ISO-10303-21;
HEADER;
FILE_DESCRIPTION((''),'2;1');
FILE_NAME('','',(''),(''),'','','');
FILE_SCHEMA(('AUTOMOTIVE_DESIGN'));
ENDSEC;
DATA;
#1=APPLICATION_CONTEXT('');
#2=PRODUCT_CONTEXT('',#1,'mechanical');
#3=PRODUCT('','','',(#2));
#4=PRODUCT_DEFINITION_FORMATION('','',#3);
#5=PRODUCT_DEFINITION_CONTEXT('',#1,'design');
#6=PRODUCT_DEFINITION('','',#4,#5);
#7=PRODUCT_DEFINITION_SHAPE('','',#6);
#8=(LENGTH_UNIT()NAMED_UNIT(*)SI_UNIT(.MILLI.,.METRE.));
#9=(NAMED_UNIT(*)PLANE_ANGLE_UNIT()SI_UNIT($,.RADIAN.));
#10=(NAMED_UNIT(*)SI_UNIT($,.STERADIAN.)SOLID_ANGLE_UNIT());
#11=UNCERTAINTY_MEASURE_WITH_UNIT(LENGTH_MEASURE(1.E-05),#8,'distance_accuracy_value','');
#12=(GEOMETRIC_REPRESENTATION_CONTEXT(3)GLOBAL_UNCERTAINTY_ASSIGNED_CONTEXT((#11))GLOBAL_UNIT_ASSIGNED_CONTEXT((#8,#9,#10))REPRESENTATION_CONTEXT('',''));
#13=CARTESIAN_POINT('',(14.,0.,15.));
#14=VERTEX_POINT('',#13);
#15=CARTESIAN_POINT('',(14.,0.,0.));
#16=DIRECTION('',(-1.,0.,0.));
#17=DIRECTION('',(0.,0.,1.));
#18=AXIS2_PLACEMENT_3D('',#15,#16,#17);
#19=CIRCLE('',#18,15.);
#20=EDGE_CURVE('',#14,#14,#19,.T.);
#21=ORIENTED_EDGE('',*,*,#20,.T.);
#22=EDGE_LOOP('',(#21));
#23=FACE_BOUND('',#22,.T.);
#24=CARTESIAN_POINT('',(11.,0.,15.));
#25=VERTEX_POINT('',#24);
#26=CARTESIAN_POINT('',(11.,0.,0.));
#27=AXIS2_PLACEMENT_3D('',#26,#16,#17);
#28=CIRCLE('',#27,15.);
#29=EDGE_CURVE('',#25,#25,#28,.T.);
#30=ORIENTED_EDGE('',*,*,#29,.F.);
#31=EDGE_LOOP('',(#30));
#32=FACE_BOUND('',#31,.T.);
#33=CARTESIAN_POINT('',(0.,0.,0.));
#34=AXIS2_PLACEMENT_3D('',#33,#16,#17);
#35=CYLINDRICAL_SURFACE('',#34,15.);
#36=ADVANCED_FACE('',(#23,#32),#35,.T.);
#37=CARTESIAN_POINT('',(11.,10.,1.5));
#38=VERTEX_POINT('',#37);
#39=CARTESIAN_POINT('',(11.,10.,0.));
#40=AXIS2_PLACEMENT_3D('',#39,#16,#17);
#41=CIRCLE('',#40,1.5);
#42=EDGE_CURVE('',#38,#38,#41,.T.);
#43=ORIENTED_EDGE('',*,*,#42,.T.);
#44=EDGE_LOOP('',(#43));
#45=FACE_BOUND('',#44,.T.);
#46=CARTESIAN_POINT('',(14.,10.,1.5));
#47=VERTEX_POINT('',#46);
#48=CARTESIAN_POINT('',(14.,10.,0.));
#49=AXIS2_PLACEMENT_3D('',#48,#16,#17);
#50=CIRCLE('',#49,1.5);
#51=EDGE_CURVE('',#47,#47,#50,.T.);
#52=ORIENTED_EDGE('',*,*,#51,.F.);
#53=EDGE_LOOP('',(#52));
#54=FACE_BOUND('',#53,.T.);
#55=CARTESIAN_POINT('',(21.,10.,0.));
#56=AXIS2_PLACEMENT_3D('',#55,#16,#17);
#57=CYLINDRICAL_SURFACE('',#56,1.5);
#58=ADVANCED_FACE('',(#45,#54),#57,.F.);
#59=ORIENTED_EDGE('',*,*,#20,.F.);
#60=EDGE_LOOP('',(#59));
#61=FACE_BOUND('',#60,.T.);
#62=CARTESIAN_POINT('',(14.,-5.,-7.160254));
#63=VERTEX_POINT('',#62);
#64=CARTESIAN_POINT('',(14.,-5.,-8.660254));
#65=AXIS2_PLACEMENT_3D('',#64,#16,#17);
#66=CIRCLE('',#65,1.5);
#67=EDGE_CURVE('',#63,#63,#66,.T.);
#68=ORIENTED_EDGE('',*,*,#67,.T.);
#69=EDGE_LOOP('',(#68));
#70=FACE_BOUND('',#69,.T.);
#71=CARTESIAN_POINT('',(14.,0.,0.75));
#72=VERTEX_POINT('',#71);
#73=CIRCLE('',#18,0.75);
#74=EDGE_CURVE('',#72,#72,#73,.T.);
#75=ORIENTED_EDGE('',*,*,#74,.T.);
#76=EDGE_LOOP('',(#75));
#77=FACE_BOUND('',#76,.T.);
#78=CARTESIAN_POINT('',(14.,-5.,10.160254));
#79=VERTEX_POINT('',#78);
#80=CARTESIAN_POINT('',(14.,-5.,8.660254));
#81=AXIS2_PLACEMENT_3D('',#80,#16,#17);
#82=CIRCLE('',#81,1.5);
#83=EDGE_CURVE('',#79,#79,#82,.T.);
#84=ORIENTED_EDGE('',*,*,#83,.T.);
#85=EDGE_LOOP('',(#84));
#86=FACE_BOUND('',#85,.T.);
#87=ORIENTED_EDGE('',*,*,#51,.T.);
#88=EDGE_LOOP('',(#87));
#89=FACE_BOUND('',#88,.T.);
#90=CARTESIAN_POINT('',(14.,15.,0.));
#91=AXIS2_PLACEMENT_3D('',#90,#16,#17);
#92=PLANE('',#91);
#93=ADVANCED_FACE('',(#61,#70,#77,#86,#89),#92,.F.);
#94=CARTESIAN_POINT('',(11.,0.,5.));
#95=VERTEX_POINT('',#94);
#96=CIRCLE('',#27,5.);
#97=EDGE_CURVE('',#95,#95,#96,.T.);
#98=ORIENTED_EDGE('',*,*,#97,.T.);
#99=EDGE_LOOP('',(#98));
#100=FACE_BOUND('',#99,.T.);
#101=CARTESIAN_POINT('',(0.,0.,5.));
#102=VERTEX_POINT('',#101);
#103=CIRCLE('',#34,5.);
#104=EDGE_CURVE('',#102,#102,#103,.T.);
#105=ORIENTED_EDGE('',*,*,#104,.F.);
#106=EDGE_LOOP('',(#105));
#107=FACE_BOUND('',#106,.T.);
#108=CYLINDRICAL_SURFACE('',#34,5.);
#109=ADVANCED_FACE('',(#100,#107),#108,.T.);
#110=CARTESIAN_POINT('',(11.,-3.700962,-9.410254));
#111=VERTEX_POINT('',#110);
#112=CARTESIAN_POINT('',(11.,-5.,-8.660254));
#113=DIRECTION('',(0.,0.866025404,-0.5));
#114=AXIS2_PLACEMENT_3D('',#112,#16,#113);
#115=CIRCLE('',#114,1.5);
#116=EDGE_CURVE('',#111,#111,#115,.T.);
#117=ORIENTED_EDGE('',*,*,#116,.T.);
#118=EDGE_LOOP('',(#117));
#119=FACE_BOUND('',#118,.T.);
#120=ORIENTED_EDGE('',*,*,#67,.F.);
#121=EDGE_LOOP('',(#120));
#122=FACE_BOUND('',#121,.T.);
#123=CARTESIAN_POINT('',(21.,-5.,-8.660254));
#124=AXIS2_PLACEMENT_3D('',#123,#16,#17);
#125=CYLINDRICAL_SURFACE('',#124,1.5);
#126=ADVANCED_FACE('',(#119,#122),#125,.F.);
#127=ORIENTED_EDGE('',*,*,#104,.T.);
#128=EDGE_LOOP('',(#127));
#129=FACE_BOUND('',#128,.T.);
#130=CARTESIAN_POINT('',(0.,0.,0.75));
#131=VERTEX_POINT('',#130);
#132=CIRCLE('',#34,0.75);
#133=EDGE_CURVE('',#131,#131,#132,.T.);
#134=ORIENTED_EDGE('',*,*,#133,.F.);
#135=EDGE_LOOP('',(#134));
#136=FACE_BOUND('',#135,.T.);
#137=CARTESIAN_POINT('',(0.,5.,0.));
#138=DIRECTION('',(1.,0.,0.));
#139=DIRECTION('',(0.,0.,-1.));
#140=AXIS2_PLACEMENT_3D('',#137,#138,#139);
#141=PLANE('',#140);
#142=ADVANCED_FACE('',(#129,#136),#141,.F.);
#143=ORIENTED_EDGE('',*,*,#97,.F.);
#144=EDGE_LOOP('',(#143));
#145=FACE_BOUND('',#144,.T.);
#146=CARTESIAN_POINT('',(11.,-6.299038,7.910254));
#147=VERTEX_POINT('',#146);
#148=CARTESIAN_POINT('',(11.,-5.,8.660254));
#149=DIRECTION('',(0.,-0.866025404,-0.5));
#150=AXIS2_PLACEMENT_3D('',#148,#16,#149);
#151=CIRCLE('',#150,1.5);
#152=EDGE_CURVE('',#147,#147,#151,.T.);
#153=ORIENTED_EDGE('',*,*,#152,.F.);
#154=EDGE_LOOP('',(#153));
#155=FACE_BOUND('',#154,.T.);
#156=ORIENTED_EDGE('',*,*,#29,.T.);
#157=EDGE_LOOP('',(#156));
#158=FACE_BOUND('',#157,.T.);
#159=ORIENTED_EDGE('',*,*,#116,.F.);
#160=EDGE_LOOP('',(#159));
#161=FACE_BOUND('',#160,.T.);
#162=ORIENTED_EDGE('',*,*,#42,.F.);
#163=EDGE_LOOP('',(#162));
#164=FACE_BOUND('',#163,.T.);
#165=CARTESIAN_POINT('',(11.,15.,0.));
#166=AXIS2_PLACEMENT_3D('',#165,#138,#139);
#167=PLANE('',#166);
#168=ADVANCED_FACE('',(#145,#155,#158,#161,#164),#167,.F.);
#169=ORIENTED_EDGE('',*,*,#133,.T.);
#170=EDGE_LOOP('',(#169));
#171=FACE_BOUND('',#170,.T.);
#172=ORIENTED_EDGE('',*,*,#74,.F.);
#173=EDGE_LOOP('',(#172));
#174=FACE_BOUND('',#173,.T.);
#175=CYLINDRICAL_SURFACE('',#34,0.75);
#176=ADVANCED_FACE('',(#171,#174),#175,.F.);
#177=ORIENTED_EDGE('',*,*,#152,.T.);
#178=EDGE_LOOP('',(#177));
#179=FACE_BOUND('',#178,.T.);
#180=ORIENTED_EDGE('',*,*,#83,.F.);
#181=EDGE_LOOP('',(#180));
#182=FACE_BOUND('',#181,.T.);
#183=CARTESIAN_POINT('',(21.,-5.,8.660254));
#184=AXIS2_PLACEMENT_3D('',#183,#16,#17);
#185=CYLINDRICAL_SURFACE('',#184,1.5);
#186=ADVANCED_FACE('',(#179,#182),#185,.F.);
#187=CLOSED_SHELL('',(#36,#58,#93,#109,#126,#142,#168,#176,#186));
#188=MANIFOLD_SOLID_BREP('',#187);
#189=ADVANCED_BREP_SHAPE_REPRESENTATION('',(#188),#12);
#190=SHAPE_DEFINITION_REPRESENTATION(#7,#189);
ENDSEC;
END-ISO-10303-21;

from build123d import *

# Parameters (mm, degrees)
SKETCH3_R          = 1.5
CUT_EXTRUDE1_DEPTH = 10
CIRPATTERN1_COUNT  = 3


with BuildPart() as part:
    # Sketch2 → Revolve1 (revolve)
    with BuildSketch(Plane.XY, mode=Mode.PRIVATE) as revolve1_sk:
        Polygon((14, 15), (11, 15), (11, 5), (0, 5), (0, 0.75), (14, 0.75), align=None)
    revolve(revolve1_sk.sketch.rotate(Axis((0, 0, 0), (1, 0, 0)), 90), axis=Axis((0, 0, 0), (1, 0, 0)))

    # Sketch3 → Cut-Extrude1 (cut)
    with BuildSketch(Plane.ZY.offset(-11)):
        with Locations((0, 10)):
            Circle(SKETCH3_R)
    cut_extrude1 = extrude(amount=-CUT_EXTRUDE1_DEPTH, mode=Mode.SUBTRACT)

    # CirPattern1: Cut-Extrude1 ×3 about axis
    cirpattern1_axis = Axis((0, 0, 0), (1, 0, 0))
    for i in range(1, CIRPATTERN1_COUNT):
        add(cut_extrude1.rotate(cirpattern1_axis, i * 360 / CIRPATTERN1_COUNT), mode=Mode.SUBTRACT)


solid = part.part
